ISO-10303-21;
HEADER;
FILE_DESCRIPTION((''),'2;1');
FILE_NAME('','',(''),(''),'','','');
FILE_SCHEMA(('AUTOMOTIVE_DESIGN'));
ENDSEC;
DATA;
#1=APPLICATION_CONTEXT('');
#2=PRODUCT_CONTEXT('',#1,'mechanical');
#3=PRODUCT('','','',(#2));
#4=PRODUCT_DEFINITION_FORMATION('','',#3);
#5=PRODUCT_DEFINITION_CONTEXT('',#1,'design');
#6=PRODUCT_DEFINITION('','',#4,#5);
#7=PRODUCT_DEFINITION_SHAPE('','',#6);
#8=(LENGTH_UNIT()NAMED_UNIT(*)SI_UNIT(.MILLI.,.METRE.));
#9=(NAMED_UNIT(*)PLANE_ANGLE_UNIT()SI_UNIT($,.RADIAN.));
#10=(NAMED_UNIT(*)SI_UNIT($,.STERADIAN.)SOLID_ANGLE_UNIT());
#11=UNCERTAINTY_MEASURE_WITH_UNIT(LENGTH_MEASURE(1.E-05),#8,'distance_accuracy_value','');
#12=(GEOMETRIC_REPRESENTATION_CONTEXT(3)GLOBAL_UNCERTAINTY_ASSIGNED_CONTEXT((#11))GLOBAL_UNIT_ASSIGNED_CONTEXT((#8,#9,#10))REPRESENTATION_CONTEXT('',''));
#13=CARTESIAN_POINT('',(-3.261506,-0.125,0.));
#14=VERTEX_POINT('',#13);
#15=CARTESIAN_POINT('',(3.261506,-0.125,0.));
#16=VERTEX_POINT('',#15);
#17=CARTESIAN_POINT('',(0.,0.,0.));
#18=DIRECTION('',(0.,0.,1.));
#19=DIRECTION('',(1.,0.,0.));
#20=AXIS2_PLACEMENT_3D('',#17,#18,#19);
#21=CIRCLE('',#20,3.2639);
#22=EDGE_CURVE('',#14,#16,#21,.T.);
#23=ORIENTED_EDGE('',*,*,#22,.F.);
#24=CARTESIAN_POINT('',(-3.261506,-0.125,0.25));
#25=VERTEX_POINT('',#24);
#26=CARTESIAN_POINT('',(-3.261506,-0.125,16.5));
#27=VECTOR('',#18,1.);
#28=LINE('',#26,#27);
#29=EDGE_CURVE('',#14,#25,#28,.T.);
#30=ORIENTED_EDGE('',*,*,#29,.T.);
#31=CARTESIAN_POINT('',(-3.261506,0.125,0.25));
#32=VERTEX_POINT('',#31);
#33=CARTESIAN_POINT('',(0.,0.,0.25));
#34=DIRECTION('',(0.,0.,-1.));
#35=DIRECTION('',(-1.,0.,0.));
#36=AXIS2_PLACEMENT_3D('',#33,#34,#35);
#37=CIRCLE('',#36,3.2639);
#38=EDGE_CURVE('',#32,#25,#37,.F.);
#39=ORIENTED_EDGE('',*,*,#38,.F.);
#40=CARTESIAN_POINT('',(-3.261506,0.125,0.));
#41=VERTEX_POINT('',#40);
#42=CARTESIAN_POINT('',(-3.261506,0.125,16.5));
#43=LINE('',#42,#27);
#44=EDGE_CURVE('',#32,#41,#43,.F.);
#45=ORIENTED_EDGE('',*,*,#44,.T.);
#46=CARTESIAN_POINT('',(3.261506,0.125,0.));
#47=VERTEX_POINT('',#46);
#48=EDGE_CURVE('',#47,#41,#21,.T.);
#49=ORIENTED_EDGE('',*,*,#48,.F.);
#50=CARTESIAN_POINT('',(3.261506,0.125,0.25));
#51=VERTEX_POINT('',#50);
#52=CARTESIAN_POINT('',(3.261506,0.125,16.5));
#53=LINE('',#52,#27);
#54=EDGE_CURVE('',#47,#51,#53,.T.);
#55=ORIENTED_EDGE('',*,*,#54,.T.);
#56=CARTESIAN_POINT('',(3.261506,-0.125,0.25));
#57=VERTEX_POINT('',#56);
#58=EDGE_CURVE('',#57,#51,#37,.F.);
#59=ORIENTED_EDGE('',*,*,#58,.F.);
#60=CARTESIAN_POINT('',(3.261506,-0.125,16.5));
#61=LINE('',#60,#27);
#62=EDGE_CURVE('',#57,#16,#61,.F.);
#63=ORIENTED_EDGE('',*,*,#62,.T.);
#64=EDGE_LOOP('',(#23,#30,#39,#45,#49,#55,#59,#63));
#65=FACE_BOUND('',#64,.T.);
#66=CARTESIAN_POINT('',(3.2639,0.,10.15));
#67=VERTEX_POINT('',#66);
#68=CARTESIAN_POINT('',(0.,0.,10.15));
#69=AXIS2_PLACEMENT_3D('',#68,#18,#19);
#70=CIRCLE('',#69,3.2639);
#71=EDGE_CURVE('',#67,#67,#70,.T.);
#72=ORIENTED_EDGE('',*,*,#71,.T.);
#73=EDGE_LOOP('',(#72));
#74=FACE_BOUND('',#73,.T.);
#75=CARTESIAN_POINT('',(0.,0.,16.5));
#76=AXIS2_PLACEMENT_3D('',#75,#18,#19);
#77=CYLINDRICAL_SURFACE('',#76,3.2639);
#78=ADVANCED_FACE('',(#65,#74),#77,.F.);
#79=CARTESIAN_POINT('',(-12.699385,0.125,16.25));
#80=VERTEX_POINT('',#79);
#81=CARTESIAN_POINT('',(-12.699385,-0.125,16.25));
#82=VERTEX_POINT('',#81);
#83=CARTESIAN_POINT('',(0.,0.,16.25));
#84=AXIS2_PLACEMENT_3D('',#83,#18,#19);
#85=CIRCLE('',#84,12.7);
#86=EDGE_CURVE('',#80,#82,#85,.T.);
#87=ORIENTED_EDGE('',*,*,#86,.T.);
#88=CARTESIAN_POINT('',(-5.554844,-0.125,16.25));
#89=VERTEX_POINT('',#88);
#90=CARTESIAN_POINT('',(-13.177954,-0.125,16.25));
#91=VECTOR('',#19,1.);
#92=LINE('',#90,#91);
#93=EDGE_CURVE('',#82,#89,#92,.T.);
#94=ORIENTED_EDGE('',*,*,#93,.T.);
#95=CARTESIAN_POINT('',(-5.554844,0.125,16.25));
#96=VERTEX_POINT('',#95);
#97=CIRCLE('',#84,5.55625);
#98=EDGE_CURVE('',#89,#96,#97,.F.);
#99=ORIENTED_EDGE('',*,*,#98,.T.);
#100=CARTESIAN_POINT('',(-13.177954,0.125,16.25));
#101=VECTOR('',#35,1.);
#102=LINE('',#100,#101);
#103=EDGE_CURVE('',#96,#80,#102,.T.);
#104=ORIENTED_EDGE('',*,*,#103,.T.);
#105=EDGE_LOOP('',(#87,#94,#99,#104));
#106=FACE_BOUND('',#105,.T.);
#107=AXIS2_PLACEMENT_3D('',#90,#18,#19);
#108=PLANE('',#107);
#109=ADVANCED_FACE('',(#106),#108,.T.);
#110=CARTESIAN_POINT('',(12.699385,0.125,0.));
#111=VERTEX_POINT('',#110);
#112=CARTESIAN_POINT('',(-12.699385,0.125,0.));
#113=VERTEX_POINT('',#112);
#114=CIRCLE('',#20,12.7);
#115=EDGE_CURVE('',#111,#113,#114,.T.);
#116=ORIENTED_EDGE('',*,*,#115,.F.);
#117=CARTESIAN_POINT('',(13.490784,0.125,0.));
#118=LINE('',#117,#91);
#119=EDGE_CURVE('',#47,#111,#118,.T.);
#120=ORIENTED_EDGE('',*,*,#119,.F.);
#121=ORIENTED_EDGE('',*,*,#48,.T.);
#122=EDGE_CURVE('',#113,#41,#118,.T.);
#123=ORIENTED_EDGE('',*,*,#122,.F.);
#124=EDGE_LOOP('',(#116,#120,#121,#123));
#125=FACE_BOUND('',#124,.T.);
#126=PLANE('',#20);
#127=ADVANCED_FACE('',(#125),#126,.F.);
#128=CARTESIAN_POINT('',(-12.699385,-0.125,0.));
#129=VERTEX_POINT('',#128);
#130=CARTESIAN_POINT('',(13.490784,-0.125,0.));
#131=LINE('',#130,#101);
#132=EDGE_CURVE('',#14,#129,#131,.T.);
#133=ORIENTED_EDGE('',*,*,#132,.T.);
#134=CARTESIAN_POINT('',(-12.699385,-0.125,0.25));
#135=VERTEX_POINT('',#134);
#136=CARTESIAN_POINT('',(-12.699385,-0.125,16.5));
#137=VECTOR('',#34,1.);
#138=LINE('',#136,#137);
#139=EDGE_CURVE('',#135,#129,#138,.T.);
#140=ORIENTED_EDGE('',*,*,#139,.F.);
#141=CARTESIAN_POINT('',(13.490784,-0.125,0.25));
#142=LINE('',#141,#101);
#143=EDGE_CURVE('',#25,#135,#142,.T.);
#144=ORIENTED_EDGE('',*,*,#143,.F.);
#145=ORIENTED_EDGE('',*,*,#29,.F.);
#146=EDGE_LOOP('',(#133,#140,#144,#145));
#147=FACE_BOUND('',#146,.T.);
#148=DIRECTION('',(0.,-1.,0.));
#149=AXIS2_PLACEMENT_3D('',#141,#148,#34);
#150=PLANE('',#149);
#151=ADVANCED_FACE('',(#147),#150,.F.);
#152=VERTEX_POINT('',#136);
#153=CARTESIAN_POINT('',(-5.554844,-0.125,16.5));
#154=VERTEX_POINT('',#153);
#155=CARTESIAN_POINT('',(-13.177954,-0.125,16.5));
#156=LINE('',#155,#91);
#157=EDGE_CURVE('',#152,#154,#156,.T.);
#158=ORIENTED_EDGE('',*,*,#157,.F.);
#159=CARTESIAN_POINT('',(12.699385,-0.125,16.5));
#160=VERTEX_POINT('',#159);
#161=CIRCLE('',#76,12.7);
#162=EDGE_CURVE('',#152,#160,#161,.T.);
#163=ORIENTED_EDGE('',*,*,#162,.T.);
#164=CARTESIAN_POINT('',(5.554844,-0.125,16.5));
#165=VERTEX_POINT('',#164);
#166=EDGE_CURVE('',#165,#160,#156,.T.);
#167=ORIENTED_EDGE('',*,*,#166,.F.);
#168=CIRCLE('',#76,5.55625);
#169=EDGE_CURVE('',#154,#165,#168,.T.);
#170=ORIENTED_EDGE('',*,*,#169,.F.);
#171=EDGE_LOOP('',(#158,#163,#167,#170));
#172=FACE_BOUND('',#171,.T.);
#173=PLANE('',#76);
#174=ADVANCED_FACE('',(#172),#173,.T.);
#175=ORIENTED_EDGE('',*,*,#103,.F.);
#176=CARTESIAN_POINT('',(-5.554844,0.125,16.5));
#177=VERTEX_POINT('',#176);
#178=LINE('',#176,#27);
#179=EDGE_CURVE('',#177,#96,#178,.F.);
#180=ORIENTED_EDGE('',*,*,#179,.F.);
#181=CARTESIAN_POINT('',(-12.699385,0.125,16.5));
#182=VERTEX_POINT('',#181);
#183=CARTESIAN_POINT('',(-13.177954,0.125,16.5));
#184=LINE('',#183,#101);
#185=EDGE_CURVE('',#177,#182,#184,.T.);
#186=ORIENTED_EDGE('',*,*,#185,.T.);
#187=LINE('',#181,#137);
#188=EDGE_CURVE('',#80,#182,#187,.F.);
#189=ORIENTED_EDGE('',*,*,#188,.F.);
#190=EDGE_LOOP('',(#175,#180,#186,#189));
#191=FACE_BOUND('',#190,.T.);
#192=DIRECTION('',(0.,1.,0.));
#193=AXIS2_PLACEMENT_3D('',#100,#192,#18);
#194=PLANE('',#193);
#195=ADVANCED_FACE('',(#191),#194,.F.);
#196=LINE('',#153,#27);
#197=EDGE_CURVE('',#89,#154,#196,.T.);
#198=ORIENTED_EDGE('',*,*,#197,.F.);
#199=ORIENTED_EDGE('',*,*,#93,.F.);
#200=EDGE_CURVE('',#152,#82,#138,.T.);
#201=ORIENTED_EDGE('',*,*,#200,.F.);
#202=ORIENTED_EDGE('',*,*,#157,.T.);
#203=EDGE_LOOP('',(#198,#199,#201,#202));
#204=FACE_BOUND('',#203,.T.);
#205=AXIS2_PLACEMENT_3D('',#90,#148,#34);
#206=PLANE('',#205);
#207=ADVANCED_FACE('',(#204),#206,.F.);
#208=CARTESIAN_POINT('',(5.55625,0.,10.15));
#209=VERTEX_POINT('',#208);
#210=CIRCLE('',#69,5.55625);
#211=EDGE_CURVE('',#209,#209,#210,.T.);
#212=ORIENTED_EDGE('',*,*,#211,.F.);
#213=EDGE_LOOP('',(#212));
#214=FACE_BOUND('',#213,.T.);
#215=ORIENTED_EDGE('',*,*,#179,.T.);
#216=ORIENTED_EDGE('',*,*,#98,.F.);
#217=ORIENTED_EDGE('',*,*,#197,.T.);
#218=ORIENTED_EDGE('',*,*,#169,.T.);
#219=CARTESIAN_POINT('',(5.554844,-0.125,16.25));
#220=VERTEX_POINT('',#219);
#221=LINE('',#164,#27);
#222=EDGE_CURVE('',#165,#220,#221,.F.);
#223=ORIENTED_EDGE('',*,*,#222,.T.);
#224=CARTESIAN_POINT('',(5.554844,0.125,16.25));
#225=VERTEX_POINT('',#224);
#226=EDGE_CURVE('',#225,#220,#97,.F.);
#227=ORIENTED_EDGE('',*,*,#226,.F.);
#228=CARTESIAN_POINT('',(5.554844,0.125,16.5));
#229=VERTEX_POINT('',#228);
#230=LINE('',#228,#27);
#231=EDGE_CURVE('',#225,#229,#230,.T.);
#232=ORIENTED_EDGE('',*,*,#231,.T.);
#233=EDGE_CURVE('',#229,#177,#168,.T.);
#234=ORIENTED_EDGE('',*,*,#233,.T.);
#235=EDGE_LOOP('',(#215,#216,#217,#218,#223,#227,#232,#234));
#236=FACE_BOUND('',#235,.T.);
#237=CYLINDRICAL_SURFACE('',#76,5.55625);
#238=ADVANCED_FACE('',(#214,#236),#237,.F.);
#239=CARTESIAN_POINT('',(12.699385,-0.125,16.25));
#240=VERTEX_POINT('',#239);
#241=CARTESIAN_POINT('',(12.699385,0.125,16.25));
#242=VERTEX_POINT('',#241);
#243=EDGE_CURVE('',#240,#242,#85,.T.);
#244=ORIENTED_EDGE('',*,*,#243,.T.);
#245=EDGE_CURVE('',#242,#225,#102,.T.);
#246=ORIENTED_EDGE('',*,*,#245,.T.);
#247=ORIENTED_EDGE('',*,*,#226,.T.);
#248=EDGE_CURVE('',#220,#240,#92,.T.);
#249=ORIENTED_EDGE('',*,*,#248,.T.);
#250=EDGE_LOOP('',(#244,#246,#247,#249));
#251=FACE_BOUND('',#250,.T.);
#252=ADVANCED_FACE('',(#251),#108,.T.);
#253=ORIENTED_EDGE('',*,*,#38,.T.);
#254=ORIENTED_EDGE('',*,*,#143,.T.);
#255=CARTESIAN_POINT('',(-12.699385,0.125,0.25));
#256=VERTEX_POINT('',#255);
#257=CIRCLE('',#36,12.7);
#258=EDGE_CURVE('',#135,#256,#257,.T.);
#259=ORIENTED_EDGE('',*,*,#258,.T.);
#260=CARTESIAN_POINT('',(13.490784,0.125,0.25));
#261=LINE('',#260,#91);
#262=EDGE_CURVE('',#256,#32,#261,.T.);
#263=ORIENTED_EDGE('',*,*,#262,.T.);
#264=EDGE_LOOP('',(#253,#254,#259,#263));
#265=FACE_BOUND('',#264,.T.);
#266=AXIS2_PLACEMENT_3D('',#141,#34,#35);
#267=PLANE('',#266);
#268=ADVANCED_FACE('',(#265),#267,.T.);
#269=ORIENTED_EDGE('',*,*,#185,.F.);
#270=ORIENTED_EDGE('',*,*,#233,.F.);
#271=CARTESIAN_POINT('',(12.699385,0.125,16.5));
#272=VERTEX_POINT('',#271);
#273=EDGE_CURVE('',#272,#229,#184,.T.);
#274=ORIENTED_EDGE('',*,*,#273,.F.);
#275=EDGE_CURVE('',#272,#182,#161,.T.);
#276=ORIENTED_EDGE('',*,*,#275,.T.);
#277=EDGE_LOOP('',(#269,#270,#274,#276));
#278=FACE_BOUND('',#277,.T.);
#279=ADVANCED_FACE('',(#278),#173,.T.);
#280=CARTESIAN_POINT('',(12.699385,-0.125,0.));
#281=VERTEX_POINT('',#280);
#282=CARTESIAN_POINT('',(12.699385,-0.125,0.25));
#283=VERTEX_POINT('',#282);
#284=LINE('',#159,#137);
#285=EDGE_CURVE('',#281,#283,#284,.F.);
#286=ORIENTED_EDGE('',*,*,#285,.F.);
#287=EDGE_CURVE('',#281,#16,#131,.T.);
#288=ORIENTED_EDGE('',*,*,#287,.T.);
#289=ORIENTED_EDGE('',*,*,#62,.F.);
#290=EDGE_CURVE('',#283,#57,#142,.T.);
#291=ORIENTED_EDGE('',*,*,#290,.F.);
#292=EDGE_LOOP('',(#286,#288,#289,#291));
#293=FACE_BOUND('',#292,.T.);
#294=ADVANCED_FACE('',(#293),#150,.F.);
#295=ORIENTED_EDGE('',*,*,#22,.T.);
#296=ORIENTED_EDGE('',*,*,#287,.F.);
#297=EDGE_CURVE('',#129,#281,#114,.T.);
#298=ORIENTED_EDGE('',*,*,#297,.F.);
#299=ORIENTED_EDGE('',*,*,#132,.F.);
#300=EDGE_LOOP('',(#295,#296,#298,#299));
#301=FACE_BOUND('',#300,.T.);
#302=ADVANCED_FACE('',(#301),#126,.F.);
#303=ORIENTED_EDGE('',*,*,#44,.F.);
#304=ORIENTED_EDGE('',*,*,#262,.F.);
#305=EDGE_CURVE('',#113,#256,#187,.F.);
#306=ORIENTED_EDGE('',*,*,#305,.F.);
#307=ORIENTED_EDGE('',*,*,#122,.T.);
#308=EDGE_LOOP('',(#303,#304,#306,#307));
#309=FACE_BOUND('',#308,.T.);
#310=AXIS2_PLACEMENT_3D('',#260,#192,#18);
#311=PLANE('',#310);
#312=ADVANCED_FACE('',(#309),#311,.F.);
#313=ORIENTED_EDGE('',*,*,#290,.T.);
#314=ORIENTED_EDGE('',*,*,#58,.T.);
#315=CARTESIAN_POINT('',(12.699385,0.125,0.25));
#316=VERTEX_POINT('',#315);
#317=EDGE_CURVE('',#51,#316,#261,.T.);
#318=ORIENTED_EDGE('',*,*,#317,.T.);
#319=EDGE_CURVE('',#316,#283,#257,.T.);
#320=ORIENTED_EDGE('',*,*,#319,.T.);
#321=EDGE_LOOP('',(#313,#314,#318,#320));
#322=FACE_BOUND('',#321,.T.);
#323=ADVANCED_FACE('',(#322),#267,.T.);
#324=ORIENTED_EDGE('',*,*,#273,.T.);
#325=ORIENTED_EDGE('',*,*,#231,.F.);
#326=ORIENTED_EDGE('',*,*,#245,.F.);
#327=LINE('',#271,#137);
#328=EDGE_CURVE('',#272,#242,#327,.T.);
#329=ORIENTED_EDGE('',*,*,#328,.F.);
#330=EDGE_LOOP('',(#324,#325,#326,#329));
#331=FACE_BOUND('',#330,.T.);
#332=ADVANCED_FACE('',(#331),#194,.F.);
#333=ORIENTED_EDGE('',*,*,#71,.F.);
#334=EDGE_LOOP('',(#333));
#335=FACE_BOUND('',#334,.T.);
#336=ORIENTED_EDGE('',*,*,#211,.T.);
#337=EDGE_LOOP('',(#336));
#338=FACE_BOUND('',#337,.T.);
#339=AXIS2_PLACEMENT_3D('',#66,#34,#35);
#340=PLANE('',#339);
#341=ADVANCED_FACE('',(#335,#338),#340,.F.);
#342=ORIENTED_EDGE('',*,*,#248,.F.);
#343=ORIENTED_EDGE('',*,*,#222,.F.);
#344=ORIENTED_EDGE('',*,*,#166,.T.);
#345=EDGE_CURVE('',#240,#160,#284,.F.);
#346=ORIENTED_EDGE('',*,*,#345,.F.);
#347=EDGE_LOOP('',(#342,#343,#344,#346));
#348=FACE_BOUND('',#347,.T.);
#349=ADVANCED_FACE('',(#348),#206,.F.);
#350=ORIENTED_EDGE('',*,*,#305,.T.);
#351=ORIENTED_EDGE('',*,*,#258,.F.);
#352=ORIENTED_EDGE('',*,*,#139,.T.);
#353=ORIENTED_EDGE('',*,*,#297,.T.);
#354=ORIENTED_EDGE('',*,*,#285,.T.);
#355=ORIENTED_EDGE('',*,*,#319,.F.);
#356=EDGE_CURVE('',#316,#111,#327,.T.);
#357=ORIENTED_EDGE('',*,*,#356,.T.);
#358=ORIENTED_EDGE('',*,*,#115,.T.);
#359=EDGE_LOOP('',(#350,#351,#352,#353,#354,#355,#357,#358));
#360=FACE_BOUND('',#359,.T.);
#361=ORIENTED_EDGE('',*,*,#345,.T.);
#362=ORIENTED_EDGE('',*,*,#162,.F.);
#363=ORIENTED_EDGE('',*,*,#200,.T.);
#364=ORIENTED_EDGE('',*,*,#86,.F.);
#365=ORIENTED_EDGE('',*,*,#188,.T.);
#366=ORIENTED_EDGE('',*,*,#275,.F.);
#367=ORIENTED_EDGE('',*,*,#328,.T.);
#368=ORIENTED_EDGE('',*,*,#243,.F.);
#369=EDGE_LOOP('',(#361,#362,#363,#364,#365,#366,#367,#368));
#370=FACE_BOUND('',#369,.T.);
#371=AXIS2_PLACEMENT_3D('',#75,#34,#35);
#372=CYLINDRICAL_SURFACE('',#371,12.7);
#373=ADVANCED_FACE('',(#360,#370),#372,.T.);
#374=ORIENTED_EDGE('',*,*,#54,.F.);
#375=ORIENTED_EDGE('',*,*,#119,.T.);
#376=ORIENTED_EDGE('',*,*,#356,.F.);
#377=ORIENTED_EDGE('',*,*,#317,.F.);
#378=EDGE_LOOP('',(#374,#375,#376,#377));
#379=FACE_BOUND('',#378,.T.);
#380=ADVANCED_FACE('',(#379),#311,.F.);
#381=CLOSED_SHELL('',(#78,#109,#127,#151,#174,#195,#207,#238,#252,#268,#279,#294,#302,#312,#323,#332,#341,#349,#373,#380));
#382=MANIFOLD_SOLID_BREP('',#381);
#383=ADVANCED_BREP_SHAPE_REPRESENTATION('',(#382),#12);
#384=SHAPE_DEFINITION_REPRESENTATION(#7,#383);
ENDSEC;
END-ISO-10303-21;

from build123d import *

# Parameters (mm, degrees)
SKETCH1_R                                        = 12.7
BASE_EXTRUDE_DEPTH                               = 16.5
CBORE_FOR_1_4_SOCKET_HEAD_CAP_SCREW1_D           = 6.5278
CBORE_FOR_1_4_SOCKET_HEAD_CAP_SCREW1_CBORE_D     = 11.1125
CBORE_FOR_1_4_SOCKET_HEAD_CAP_SCREW1_CBORE_DEPTH = 6.35
SKETCH4_W                                        = 26.942464066
SKETCH4_H                                        = 0.25
VENT_GROOVE_FRONT_DEPTH                          = 0.25
SKETCH5_W                                        = 27.489916166
SKETCH5_H                                        = 0.25
VENT_GROOVE_BACK_DEPTH                           = 0.25


with BuildPart() as part:
    # Sketch1 → Base-Extrude (new body)
    with BuildSketch(Plane.XY):
        Circle(SKETCH1_R)
    extrude(amount=BASE_EXTRUDE_DEPTH)

    # CBORE for 1/4 Socket Head Cap Screw1 (through all)
    with Locations(Plane(origin=(7.46029001, -0.504629161, 16.5), x_dir=(1, 0, 0), z_dir=(0, 0, 1))):
        with Locations((-7.46029001, 0.504629161)):
            CounterBoreHole(CBORE_FOR_1_4_SOCKET_HEAD_CAP_SCREW1_D / 2, CBORE_FOR_1_4_SOCKET_HEAD_CAP_SCREW1_CBORE_D / 2, CBORE_FOR_1_4_SOCKET_HEAD_CAP_SCREW1_CBORE_DEPTH)

    # Sketch4 → Vent Groove Front (cut)
    with BuildSketch(Plane.XY.offset(16.5)):
        with Locations((0.293277911, 0)):
            Rectangle(SKETCH4_W, SKETCH4_H)
    extrude(amount=-VENT_GROOVE_FRONT_DEPTH, mode=Mode.SUBTRACT)

    # Sketch5 → Vent Groove Back (cut)
    with BuildSketch(Plane(origin=(0, 0, 0), x_dir=(-1, 0, 0), z_dir=(0, 0, -1))):
        with Locations((0.254174189, 0)):
            Rectangle(SKETCH5_W, SKETCH5_H)
    extrude(amount=-VENT_GROOVE_BACK_DEPTH, mode=Mode.SUBTRACT)


solid = part.part
